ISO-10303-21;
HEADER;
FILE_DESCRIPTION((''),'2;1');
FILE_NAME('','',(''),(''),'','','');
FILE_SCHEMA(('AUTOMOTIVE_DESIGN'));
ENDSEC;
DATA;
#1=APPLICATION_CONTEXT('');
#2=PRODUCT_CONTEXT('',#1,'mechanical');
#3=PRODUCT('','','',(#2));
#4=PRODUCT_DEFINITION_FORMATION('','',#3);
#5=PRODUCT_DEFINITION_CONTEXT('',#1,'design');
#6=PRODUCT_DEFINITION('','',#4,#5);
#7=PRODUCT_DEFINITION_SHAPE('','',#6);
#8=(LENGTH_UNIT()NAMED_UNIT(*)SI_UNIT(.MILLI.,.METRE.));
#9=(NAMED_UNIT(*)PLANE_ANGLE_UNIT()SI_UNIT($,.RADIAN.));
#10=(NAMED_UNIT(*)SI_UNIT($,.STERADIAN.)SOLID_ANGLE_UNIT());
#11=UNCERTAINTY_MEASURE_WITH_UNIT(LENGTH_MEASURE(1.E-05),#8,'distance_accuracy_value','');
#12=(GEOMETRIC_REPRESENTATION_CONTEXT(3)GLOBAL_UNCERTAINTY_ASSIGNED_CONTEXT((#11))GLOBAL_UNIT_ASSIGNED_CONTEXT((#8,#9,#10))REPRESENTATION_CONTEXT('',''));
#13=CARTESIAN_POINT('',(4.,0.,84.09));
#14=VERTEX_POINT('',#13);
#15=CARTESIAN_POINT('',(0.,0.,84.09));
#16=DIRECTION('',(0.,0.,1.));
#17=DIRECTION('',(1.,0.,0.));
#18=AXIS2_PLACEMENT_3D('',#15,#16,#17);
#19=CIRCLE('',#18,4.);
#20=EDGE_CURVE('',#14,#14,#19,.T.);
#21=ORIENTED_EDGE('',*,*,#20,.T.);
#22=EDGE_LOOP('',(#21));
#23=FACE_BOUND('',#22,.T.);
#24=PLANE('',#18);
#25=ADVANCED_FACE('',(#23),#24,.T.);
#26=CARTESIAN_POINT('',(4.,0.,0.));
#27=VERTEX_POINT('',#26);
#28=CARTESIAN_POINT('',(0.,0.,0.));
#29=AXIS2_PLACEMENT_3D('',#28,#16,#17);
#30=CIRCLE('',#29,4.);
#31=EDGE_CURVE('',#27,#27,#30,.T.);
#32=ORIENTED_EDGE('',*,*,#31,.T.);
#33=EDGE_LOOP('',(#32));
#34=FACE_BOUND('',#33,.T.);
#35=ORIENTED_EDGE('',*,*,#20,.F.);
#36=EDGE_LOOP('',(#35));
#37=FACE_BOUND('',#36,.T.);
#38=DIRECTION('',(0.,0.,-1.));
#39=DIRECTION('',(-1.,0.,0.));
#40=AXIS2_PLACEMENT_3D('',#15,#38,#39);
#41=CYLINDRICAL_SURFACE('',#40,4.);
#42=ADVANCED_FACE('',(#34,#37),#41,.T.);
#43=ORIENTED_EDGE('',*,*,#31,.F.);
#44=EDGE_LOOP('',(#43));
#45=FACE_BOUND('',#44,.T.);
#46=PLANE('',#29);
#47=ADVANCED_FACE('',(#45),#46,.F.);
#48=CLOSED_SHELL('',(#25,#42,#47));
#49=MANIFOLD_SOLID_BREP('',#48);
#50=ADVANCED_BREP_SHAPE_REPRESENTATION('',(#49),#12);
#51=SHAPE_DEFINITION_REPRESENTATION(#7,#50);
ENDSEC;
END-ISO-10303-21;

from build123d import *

# Parameters (mm, degrees)
SCHIZZO1_R                   = 4
ESTRUSIONE_ESTRUSIONE1_DEPTH = 84.09


with BuildPart() as part:
    # Schizzo1 → Estrusione-Estrusione1 (new body)
    with BuildSketch(Plane.XY):
        Circle(SCHIZZO1_R)
    extrude(amount=ESTRUSIONE_ESTRUSIONE1_DEPTH)


solid = part.part
